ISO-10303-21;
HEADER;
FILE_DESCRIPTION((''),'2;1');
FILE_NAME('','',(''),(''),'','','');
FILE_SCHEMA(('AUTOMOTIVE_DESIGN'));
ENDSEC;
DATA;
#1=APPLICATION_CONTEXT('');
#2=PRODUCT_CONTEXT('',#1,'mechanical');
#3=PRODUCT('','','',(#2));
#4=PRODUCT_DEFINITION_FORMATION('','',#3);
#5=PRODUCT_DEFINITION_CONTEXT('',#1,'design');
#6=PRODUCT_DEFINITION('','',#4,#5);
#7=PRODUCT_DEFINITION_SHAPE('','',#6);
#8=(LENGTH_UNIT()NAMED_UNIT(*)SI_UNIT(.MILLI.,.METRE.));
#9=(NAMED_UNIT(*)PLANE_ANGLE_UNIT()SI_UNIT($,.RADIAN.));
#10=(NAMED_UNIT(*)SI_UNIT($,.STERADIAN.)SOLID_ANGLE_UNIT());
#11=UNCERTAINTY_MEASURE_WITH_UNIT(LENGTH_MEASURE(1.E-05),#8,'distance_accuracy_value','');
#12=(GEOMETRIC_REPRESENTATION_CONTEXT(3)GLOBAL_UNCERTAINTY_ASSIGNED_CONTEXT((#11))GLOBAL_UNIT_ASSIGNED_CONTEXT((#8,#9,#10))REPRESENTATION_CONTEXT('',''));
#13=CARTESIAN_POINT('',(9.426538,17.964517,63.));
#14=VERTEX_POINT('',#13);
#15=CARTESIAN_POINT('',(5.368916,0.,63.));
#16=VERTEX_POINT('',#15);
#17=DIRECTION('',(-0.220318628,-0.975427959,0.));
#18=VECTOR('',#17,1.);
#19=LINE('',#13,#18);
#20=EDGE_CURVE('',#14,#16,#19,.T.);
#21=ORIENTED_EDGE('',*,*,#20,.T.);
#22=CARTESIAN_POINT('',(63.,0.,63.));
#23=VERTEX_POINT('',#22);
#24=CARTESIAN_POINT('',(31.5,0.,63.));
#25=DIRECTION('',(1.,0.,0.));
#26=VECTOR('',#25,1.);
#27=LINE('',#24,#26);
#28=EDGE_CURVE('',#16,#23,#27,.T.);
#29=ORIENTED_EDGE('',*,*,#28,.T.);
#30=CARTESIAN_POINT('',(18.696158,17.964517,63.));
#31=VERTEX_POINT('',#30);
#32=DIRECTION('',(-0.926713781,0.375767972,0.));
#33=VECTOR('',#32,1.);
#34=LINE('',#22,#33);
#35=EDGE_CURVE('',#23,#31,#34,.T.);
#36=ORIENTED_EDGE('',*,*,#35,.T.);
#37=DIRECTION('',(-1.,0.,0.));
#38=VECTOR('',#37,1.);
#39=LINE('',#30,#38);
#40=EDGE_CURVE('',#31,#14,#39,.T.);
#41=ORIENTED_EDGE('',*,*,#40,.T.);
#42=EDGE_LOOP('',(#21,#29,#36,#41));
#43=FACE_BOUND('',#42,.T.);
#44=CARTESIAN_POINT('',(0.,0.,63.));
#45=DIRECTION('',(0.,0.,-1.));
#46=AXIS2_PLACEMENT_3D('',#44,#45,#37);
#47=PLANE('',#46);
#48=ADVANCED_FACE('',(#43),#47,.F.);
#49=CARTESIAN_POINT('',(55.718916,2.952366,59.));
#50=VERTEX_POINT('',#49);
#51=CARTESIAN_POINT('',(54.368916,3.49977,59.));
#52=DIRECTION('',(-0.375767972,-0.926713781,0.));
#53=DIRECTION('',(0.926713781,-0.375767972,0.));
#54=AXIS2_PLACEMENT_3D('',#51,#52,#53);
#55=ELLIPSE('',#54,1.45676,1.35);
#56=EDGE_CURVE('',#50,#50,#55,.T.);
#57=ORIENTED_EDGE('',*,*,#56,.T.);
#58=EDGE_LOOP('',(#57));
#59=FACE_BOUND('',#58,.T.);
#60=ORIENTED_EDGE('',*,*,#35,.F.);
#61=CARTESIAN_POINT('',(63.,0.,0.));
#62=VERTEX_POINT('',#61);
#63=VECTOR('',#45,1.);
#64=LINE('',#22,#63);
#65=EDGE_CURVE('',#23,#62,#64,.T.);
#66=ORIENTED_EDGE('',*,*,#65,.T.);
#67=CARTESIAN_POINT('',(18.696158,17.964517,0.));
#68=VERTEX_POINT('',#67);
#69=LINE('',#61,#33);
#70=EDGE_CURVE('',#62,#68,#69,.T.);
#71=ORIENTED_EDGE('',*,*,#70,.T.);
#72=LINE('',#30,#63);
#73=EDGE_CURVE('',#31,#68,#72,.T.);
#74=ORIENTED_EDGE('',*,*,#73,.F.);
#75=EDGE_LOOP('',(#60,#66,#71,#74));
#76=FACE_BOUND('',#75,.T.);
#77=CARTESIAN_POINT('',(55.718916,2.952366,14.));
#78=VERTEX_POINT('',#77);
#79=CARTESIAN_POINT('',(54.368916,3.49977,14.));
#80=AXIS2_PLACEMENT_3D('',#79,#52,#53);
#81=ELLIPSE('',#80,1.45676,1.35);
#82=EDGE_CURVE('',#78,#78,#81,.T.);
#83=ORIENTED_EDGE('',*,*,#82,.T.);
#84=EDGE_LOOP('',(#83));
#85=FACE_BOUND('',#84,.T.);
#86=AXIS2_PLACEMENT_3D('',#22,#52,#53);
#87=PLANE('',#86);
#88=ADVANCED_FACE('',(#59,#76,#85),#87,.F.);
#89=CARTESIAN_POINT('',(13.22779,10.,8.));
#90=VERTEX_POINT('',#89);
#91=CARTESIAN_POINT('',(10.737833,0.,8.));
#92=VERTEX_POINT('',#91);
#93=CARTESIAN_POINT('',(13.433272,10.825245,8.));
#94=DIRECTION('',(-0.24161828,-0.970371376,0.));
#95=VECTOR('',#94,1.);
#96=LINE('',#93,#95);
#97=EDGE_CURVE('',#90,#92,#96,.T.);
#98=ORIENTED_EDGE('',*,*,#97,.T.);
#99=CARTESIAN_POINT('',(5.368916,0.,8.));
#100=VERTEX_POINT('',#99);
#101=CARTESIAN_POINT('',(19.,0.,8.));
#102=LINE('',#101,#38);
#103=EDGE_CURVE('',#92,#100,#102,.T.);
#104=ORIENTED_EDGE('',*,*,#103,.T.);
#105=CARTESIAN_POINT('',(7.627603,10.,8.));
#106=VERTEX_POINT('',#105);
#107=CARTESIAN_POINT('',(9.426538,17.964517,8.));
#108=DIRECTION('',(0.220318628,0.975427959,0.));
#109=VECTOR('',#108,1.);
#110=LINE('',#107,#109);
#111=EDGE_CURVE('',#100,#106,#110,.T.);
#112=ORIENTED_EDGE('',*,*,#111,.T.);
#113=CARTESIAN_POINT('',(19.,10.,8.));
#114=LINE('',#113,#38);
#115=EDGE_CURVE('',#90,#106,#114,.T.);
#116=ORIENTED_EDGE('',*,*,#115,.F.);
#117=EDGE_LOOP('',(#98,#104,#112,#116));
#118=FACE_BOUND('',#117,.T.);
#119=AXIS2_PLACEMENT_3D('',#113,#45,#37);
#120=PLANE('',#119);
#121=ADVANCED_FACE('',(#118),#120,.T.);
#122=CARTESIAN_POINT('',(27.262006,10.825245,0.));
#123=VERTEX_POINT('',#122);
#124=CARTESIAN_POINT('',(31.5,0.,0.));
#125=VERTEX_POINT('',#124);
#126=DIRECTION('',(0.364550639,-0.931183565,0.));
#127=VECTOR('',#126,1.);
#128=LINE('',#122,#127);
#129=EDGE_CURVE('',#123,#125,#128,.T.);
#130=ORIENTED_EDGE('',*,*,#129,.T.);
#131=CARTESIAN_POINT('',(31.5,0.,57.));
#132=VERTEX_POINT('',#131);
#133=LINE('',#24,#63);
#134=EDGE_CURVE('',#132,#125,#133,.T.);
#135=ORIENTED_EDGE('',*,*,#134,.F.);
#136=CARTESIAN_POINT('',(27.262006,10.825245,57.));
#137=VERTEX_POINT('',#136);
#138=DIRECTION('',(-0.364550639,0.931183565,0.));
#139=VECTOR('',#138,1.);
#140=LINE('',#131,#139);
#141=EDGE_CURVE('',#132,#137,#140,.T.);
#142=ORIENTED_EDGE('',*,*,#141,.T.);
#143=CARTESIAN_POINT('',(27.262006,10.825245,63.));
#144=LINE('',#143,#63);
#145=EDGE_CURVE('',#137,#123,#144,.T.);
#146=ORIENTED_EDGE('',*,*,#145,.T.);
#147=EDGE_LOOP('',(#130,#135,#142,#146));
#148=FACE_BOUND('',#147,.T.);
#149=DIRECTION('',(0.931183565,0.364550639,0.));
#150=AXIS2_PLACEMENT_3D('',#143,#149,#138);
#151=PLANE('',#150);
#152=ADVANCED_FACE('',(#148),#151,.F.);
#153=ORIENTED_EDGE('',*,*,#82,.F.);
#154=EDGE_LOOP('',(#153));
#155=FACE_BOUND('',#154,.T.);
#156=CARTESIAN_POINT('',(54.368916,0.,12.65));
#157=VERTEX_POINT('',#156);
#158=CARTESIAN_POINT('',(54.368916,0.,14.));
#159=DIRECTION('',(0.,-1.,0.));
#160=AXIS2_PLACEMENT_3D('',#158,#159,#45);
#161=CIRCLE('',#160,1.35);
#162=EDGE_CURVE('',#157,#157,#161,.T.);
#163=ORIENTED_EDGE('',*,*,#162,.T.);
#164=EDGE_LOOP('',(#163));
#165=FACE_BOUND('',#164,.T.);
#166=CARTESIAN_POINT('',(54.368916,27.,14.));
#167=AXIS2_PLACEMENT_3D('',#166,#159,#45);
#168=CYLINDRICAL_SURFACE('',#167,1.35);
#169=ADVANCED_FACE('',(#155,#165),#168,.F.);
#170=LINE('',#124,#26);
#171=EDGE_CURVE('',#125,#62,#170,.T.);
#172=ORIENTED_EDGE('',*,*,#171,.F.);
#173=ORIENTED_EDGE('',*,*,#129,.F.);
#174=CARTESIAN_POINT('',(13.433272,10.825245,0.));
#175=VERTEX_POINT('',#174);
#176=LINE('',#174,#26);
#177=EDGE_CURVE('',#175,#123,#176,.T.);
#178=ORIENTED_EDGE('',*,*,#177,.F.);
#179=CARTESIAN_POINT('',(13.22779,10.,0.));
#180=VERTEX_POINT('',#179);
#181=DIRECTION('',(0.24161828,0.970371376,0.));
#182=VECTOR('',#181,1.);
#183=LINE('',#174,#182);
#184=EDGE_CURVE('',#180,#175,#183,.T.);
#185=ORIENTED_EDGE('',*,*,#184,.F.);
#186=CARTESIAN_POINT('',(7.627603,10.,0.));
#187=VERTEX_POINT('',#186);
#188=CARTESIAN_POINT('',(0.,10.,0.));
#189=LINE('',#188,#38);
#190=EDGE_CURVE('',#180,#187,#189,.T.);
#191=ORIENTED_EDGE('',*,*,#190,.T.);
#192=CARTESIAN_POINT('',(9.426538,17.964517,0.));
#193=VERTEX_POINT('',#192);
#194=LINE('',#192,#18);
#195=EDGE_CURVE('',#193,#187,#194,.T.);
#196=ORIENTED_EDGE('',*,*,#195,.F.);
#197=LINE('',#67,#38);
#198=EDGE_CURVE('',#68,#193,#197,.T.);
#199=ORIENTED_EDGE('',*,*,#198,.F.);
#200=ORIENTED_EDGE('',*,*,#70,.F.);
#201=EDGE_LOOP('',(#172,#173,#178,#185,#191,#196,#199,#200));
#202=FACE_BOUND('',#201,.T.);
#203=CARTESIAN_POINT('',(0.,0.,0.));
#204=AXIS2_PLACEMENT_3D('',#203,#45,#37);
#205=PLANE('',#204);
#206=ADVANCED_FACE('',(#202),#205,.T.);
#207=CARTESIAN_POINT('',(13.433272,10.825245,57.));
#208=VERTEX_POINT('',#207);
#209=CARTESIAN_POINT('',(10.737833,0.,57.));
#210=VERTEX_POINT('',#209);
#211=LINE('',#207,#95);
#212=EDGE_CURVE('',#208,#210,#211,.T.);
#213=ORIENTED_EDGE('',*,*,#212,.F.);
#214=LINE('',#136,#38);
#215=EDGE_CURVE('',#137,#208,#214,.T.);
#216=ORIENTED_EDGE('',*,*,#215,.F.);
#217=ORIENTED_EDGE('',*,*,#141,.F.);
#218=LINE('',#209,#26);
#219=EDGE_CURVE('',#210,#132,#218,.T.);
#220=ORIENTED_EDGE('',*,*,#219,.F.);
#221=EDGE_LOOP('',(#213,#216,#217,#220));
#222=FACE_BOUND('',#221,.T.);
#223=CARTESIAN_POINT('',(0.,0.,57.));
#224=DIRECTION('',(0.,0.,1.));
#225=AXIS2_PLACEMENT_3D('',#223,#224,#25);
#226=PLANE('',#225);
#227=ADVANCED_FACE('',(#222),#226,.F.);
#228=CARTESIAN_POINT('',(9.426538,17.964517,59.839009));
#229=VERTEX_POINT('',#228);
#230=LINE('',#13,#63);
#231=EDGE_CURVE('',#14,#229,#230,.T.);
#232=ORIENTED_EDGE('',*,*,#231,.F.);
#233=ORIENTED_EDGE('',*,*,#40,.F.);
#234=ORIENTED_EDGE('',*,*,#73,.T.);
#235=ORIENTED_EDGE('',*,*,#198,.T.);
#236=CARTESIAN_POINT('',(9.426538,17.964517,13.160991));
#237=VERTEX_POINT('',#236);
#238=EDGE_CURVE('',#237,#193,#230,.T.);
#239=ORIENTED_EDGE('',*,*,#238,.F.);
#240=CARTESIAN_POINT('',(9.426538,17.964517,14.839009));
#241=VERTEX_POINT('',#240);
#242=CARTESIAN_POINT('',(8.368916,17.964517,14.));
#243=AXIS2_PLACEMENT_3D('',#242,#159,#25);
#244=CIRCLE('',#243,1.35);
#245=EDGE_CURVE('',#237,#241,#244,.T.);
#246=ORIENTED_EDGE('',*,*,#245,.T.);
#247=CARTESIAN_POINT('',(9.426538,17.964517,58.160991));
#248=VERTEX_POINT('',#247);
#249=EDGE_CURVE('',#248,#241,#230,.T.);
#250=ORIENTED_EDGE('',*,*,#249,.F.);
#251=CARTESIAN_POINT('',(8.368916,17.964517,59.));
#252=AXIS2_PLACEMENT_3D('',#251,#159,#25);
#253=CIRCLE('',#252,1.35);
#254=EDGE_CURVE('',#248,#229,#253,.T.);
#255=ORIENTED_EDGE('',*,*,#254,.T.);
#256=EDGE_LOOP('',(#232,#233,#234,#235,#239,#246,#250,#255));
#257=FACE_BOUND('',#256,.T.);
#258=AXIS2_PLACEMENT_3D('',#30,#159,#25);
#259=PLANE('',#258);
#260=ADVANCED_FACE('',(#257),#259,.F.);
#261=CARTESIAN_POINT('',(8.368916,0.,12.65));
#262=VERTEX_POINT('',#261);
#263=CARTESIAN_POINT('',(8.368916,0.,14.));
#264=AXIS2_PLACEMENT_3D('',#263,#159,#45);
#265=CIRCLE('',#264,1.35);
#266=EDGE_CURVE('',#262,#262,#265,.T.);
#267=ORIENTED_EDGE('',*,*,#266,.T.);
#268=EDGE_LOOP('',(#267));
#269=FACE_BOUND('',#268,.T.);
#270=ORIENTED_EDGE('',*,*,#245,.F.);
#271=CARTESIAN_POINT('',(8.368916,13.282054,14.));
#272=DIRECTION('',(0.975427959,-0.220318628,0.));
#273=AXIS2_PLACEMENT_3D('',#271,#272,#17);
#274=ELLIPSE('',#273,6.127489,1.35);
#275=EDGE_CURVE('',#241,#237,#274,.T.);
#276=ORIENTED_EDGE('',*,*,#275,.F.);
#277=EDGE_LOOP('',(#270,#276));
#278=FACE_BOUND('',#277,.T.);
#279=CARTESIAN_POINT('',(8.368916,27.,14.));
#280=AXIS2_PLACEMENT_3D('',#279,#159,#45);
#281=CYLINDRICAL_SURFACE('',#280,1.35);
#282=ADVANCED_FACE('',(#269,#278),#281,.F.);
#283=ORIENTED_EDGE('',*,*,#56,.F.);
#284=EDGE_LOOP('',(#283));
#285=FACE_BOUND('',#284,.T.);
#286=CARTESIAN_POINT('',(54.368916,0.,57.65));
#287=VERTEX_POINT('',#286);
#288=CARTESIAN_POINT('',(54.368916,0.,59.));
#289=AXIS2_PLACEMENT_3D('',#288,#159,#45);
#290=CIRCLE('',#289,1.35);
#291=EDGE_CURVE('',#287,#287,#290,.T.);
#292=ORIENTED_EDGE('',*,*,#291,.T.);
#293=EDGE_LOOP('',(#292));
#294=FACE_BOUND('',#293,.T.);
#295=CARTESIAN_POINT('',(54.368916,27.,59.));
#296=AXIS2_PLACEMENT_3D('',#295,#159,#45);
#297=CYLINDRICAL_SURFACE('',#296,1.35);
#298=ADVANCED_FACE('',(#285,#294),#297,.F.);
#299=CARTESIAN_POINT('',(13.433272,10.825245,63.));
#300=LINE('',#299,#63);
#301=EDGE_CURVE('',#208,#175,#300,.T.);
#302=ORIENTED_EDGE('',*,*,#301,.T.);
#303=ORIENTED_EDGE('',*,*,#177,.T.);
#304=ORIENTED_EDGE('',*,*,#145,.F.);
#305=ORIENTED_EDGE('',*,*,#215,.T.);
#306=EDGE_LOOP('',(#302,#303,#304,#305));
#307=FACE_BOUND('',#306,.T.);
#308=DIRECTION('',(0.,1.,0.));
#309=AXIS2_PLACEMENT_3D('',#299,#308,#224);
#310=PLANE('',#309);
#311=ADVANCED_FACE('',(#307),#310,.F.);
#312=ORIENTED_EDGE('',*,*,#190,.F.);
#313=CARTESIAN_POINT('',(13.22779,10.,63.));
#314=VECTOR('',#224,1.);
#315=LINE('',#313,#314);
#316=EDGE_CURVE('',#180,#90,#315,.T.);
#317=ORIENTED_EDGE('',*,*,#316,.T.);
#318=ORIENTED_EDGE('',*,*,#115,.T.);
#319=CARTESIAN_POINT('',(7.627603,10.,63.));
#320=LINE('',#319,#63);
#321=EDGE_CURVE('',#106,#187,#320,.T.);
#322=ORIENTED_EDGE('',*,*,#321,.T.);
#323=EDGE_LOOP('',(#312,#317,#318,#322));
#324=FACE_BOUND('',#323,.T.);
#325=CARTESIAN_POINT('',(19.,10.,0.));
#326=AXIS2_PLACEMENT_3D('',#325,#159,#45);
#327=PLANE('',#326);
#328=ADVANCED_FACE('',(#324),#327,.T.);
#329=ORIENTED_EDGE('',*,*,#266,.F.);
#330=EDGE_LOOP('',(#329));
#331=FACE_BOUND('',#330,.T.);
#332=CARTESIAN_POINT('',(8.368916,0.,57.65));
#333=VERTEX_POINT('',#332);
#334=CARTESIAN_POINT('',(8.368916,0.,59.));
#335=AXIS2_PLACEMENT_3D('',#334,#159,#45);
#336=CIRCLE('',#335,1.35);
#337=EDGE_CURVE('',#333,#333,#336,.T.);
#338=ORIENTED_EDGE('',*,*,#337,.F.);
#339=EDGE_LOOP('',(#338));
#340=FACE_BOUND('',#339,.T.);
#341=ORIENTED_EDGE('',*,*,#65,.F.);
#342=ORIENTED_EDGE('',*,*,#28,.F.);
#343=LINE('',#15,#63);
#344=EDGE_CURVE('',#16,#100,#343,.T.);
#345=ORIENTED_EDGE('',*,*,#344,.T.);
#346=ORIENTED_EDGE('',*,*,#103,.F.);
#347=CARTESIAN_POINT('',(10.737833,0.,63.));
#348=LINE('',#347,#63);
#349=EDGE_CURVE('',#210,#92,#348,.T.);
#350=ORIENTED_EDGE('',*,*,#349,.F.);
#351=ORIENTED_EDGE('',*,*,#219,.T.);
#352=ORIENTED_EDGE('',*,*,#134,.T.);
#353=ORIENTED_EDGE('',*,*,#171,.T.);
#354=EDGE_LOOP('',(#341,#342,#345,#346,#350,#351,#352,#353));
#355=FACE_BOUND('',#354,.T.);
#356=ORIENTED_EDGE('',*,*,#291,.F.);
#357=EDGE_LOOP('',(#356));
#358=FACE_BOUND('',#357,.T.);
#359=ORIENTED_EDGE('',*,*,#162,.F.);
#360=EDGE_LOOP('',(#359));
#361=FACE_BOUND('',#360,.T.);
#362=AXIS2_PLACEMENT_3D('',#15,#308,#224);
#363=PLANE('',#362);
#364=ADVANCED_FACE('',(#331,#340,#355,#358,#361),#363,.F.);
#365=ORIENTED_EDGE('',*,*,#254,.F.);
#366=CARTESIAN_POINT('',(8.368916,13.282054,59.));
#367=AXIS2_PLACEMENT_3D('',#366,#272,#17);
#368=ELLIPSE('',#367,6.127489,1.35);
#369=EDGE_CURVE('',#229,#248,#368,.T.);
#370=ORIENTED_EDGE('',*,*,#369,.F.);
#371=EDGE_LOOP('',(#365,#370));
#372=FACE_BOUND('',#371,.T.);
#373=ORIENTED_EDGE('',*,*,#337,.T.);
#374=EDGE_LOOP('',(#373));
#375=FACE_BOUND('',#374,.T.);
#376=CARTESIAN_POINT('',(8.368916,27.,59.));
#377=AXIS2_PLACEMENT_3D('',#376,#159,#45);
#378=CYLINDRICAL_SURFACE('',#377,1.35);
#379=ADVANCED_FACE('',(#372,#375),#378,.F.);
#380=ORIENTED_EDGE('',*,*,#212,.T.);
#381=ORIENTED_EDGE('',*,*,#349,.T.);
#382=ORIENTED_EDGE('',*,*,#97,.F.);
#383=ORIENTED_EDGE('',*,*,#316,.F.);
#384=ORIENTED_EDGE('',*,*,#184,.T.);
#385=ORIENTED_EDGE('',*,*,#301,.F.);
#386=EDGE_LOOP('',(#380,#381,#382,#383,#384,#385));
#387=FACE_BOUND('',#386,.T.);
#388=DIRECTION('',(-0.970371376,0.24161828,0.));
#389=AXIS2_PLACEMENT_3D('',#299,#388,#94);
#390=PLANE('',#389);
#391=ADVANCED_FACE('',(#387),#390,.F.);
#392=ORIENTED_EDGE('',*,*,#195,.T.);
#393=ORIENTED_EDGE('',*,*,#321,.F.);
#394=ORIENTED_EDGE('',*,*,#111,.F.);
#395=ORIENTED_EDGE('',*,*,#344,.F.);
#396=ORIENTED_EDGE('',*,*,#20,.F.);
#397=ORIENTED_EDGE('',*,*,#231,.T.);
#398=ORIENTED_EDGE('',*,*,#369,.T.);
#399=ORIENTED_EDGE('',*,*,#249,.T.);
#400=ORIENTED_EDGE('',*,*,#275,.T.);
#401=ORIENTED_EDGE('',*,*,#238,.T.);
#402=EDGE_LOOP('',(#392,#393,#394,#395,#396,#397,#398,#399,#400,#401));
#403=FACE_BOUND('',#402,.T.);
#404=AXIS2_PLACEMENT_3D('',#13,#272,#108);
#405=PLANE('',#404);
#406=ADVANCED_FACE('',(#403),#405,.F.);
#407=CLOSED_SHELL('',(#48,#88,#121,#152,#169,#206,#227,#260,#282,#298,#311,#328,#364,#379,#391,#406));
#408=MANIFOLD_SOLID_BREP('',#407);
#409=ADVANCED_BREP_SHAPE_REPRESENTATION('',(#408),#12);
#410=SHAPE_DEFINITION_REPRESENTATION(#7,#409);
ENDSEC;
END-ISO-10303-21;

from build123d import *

# Parameters (mm, degrees)
EXTRUDE_1_DEPTH     = 63
EXTRUDE_2_DEPTH     = 6
SKETCH_3_W          = 8
SKETCH_3_H          = 10
CUT_EXTRUDE_1_DEPTH = 19
SKETCH_4_R          = 1.35
CUT_EXTRUDE_2_DEPTH = 27


with BuildPart() as part:
    # 草图1 → 凸台-拉伸1 (new body)
    with BuildSketch(Plane.XY):
        Polygon((5.368916437, 0), (10.737832874, 0), (13.433272115, 10.825245017), (27.262006405, 10.825245017), (31.5, 0), (63, 0), (18.696157585, 17.96451652), (9.426538108, 17.96451652), align=None)
    extrude(amount=EXTRUDE_1_DEPTH)

    # 草图2 → 凸台-拉伸2 (add)
    with BuildSketch(Plane.XY.offset(63)):
        Polygon((10.737832874, 0), (31.5, 0), (27.262006405, 10.825245017), (13.433272115, 10.825245017), align=None)
    extrude(amount=-EXTRUDE_2_DEPTH)

    # 草图3 → 切除-拉伸1 (cut)
    with BuildSketch(Plane(origin=(0, 0, 0), x_dir=(0, 0, -1), z_dir=(1, 0, 0))):
        with Locations((-4, 5)):
            Rectangle(SKETCH_3_W, SKETCH_3_H)
    extrude(amount=CUT_EXTRUDE_1_DEPTH, mode=Mode.SUBTRACT)

    # 草图4 → 切除-拉伸2 (cut)
    with BuildSketch(Plane.XZ):
        with Locations(Location((8.368916437, 59, 0), (0, 0, 270))):
            Circle(SKETCH_4_R)
        with Locations(Location((54.368916437, 59, 0), (0, 0, 270))):
            Circle(SKETCH_4_R)
        with Locations(Location((54.368916437, 14, 0), (0, 0, 270))):
            Circle(SKETCH_4_R)
        with Locations(Location((8.368916437, 14, 0), (0, 0, 270))):
            Circle(SKETCH_4_R)
    extrude(amount=-CUT_EXTRUDE_2_DEPTH, mode=Mode.SUBTRACT)


solid = part.part
